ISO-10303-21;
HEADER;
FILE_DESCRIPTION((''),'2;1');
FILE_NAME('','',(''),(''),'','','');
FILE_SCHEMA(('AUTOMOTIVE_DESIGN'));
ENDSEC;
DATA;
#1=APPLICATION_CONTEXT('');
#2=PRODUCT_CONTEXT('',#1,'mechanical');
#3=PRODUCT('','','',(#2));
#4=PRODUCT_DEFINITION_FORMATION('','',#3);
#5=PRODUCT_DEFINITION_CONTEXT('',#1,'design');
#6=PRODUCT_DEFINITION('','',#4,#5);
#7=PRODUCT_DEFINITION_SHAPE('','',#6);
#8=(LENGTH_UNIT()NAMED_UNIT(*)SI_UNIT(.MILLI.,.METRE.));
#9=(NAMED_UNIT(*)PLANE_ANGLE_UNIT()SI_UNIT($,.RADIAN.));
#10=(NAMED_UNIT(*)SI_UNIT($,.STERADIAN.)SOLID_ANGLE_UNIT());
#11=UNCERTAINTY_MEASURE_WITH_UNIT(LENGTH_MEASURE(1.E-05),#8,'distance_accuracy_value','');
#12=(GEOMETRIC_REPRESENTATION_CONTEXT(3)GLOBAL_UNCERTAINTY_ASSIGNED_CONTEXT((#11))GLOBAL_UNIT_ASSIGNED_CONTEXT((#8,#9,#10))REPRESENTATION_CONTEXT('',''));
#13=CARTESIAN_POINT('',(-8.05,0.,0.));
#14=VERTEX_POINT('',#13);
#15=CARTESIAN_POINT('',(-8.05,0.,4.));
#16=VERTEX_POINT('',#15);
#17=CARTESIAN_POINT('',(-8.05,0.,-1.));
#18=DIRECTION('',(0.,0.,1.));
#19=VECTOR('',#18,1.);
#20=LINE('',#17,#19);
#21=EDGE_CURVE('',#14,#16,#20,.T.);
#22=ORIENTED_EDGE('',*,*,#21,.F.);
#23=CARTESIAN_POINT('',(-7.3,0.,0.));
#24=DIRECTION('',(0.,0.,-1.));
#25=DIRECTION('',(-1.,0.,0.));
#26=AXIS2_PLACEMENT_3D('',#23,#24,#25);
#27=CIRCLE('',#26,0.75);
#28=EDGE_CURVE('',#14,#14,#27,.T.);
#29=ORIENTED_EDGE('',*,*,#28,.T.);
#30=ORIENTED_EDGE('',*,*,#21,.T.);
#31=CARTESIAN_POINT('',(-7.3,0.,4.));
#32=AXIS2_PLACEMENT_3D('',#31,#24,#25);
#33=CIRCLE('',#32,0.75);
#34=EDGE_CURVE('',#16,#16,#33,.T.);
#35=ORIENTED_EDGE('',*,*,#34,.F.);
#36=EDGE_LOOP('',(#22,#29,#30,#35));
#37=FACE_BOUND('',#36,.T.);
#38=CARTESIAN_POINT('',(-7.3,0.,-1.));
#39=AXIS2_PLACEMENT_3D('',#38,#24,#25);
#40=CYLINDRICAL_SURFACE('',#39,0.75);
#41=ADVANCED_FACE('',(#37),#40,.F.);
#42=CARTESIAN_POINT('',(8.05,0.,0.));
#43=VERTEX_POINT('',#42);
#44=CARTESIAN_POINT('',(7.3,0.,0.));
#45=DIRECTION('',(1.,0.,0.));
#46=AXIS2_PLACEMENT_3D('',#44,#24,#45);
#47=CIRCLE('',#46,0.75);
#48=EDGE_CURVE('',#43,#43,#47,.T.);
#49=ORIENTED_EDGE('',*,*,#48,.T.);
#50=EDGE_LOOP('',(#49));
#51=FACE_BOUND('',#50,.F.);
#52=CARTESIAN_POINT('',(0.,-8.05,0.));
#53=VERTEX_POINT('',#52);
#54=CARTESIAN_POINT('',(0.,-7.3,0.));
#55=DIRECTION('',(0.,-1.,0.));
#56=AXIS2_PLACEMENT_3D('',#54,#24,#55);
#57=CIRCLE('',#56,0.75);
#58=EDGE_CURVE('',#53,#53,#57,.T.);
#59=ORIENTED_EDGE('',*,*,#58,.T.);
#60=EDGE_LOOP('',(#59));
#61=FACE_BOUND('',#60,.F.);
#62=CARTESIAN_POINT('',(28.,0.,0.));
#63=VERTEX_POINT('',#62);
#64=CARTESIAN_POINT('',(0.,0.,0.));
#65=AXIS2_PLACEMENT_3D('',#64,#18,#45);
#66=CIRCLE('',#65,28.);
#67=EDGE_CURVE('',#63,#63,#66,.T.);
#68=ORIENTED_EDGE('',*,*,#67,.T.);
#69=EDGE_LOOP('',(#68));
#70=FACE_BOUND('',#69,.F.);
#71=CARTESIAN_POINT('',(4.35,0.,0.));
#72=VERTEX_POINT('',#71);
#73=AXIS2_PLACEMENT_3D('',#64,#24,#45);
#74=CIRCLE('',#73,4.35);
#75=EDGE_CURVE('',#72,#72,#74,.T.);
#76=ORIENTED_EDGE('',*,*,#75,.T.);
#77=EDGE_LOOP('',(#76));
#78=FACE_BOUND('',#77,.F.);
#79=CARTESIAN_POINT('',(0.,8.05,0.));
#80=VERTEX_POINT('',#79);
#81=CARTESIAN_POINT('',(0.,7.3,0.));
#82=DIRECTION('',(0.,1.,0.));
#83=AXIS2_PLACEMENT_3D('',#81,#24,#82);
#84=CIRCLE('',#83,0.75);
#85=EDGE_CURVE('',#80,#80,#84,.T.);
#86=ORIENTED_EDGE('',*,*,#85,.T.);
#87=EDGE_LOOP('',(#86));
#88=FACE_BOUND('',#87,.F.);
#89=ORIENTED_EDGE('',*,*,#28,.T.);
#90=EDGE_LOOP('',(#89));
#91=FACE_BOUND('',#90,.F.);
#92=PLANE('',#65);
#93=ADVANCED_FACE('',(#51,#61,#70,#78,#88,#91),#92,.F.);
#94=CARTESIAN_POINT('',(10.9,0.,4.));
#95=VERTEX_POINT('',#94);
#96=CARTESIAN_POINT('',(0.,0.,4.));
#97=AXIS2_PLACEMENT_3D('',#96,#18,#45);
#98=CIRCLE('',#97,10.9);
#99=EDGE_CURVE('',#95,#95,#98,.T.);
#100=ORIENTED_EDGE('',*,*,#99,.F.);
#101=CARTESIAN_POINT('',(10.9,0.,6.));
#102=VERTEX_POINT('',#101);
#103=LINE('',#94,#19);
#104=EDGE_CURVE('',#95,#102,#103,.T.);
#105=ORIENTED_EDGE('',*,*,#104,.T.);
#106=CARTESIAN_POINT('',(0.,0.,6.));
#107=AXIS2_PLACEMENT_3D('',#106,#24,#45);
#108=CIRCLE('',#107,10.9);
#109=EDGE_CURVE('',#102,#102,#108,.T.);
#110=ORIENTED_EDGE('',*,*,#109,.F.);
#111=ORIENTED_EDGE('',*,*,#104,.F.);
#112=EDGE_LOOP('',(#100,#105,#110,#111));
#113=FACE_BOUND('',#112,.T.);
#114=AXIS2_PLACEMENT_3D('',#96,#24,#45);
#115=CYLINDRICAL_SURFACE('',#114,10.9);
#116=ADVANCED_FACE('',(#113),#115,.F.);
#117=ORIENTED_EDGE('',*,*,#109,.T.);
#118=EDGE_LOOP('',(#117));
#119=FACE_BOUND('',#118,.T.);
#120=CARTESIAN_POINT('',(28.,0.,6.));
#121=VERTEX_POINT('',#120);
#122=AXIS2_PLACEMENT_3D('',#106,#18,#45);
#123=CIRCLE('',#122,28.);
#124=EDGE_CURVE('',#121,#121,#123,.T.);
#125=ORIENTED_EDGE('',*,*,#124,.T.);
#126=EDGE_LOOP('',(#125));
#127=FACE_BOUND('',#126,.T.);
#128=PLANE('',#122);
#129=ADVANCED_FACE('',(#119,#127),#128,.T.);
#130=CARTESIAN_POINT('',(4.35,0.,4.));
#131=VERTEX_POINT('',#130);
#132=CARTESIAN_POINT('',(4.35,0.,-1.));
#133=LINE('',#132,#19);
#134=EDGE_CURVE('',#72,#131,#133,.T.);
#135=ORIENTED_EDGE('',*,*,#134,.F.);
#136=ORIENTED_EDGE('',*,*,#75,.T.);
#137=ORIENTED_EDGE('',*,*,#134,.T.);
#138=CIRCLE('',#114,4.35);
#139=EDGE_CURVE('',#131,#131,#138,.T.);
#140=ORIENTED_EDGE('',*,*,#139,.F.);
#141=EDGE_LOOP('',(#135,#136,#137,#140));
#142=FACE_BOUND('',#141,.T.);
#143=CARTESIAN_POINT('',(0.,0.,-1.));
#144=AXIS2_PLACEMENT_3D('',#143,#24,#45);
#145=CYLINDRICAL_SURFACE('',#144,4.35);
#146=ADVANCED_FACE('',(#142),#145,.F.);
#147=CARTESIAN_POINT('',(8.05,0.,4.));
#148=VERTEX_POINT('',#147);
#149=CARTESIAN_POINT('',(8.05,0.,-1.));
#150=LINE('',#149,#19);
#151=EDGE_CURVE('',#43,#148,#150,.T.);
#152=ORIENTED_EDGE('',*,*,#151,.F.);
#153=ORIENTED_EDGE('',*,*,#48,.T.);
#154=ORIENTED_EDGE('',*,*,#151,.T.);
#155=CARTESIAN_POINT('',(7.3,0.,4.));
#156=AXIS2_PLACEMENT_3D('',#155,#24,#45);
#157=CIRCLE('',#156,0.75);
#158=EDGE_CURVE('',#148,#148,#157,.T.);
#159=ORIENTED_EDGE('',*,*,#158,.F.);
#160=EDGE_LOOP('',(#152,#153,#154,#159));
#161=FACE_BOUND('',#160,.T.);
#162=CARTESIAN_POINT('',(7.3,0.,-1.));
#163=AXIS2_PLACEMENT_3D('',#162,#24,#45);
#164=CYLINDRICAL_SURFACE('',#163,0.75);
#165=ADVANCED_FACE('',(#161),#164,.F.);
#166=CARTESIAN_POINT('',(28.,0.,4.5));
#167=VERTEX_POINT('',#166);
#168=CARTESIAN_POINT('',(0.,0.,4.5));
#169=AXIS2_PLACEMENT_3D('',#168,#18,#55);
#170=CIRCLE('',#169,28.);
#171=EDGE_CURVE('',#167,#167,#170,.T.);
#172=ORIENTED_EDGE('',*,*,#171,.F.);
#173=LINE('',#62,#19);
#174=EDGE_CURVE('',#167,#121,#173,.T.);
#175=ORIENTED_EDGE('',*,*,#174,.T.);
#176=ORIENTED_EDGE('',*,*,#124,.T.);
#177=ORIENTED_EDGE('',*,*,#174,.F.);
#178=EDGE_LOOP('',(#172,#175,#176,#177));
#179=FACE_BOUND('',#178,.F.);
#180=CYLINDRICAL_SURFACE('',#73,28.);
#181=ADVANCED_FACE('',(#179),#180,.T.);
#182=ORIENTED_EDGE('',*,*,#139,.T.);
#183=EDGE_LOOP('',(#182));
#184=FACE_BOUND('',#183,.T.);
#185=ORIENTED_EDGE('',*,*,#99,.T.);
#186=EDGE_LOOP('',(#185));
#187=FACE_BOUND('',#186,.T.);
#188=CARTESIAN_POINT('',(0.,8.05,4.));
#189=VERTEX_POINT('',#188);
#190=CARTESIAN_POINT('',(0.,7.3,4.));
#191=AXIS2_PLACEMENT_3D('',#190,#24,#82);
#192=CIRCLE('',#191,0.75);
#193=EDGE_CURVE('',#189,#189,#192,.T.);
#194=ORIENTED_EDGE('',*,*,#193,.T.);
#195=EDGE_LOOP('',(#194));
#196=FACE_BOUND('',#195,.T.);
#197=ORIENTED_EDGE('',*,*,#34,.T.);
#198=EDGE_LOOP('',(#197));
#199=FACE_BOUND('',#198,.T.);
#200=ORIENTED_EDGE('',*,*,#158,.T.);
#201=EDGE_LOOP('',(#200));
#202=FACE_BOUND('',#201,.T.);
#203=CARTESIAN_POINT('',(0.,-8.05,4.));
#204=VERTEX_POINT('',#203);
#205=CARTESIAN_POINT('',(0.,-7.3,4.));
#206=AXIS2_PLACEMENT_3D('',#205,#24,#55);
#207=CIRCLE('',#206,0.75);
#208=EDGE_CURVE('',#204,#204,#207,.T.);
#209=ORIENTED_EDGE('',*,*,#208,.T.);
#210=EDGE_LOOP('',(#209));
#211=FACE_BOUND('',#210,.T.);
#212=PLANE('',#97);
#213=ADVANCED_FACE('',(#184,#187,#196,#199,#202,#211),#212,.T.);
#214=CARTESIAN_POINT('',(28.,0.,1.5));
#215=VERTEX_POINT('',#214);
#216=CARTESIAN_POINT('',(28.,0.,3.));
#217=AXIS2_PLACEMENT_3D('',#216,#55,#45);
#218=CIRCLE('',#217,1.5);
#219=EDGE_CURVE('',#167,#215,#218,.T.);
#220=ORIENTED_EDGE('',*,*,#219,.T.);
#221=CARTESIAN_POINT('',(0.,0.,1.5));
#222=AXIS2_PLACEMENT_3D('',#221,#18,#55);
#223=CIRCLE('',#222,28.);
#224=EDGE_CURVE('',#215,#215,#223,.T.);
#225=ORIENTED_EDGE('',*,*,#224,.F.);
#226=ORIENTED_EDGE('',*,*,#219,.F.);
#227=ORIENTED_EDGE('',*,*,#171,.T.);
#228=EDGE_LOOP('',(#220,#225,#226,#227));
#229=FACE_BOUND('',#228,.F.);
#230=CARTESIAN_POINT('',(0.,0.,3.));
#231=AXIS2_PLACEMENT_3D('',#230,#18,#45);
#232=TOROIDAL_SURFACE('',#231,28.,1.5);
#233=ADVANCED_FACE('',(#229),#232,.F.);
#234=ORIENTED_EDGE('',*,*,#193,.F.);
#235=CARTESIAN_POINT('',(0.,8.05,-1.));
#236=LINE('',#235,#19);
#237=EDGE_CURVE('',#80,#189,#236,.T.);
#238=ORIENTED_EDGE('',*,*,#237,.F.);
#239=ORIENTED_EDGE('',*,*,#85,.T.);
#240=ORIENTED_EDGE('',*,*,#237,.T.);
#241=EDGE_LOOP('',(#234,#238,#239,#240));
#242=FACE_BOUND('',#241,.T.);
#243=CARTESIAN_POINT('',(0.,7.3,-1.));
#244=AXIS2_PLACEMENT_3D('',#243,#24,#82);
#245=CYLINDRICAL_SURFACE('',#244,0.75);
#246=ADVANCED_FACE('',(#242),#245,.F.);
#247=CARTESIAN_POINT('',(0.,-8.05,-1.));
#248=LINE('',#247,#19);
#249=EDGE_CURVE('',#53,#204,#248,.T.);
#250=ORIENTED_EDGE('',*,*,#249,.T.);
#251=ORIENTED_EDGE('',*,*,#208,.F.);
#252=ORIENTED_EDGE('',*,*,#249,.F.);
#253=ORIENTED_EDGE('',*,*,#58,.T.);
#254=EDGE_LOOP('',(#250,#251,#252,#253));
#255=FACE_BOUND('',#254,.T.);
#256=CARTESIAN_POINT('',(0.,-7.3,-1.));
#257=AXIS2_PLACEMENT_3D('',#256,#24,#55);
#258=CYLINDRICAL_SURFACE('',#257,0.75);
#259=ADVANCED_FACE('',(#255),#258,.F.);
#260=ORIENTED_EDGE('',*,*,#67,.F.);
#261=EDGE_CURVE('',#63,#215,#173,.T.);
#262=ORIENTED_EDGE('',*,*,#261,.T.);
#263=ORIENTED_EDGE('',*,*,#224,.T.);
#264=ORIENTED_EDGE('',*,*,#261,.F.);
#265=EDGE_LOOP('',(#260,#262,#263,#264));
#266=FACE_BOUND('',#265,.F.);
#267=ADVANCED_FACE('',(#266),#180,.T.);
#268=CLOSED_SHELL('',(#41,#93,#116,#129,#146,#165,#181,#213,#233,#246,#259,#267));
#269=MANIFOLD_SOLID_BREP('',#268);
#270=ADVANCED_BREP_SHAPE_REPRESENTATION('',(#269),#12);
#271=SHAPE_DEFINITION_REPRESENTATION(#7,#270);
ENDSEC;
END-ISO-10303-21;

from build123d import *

# Parameters (mm, degrees)
CYLINDER003_R     = 0.75
CYLINDER003_DEPTH = 10
ARRAY_COUNT       = 4
CYLINDER002_R     = 4.35
CYLINDER002_DEPTH = 10
CYLINDER001_R     = 10.9
CYLINDER001_DEPTH = 10
TORUS001_R        = 1.5
CYLINDER_R        = 28
CYLINDER_DEPTH    = 6


with BuildPart() as array:
    # Cylinder003 → Cylinder003 (new body)
    with BuildSketch(Plane(origin=(7.3, 0, -1), x_dir=(1, 0, 0), z_dir=(0, 0, 1))):
        Circle(CYLINDER003_R)
    extrude(amount=CYLINDER003_DEPTH)

    # Array: Array ×4 about axis
    array_axis = Axis((0, 0, 0), (0, 0, 1))


with BuildPart() as array_1:
    add(array.part)
    for i in range(1, ARRAY_COUNT):
        add(array.part.rotate(array_axis, i * 360 / ARRAY_COUNT))


with BuildPart() as cylinder002:
    # Cylinder002 → Cylinder002 (new body)
    with BuildSketch(Plane.XY.offset(-1)):
        Circle(CYLINDER002_R)
    extrude(amount=CYLINDER002_DEPTH)


with BuildPart() as cylinder001:
    # Cylinder001 → Cylinder001 (new body)
    with BuildSketch(Plane.XY.offset(4)):
        Circle(CYLINDER001_R)
    extrude(amount=CYLINDER001_DEPTH)


with BuildPart() as torus001:
    # Torus001 → Torus001 (revolve)
    with BuildSketch(Plane(origin=(0, 0, 3), x_dir=(1, 0, 0), z_dir=(0, -1, 0))):
        with Locations((28, 0)):
            Circle(TORUS001_R)
    revolve(axis=Axis((0, 0, 3), (0, 0, 1)))


with BuildPart() as cut003:
    # Cylinder → Cylinder (new body)
    with BuildSketch(Plane.XY):
        Circle(CYLINDER_R)
    extrude(amount=CYLINDER_DEPTH)

    # Cut: cut Torus001
    add(torus001.part, mode=Mode.SUBTRACT)

    # Cut001: cut Cylinder001
    add(cylinder001.part, mode=Mode.SUBTRACT)

    # Cut002: cut Cylinder002
    add(cylinder002.part, mode=Mode.SUBTRACT)

    # Cut003: cut Array
    add(array_1.part, mode=Mode.SUBTRACT)


solid = cut003.part
